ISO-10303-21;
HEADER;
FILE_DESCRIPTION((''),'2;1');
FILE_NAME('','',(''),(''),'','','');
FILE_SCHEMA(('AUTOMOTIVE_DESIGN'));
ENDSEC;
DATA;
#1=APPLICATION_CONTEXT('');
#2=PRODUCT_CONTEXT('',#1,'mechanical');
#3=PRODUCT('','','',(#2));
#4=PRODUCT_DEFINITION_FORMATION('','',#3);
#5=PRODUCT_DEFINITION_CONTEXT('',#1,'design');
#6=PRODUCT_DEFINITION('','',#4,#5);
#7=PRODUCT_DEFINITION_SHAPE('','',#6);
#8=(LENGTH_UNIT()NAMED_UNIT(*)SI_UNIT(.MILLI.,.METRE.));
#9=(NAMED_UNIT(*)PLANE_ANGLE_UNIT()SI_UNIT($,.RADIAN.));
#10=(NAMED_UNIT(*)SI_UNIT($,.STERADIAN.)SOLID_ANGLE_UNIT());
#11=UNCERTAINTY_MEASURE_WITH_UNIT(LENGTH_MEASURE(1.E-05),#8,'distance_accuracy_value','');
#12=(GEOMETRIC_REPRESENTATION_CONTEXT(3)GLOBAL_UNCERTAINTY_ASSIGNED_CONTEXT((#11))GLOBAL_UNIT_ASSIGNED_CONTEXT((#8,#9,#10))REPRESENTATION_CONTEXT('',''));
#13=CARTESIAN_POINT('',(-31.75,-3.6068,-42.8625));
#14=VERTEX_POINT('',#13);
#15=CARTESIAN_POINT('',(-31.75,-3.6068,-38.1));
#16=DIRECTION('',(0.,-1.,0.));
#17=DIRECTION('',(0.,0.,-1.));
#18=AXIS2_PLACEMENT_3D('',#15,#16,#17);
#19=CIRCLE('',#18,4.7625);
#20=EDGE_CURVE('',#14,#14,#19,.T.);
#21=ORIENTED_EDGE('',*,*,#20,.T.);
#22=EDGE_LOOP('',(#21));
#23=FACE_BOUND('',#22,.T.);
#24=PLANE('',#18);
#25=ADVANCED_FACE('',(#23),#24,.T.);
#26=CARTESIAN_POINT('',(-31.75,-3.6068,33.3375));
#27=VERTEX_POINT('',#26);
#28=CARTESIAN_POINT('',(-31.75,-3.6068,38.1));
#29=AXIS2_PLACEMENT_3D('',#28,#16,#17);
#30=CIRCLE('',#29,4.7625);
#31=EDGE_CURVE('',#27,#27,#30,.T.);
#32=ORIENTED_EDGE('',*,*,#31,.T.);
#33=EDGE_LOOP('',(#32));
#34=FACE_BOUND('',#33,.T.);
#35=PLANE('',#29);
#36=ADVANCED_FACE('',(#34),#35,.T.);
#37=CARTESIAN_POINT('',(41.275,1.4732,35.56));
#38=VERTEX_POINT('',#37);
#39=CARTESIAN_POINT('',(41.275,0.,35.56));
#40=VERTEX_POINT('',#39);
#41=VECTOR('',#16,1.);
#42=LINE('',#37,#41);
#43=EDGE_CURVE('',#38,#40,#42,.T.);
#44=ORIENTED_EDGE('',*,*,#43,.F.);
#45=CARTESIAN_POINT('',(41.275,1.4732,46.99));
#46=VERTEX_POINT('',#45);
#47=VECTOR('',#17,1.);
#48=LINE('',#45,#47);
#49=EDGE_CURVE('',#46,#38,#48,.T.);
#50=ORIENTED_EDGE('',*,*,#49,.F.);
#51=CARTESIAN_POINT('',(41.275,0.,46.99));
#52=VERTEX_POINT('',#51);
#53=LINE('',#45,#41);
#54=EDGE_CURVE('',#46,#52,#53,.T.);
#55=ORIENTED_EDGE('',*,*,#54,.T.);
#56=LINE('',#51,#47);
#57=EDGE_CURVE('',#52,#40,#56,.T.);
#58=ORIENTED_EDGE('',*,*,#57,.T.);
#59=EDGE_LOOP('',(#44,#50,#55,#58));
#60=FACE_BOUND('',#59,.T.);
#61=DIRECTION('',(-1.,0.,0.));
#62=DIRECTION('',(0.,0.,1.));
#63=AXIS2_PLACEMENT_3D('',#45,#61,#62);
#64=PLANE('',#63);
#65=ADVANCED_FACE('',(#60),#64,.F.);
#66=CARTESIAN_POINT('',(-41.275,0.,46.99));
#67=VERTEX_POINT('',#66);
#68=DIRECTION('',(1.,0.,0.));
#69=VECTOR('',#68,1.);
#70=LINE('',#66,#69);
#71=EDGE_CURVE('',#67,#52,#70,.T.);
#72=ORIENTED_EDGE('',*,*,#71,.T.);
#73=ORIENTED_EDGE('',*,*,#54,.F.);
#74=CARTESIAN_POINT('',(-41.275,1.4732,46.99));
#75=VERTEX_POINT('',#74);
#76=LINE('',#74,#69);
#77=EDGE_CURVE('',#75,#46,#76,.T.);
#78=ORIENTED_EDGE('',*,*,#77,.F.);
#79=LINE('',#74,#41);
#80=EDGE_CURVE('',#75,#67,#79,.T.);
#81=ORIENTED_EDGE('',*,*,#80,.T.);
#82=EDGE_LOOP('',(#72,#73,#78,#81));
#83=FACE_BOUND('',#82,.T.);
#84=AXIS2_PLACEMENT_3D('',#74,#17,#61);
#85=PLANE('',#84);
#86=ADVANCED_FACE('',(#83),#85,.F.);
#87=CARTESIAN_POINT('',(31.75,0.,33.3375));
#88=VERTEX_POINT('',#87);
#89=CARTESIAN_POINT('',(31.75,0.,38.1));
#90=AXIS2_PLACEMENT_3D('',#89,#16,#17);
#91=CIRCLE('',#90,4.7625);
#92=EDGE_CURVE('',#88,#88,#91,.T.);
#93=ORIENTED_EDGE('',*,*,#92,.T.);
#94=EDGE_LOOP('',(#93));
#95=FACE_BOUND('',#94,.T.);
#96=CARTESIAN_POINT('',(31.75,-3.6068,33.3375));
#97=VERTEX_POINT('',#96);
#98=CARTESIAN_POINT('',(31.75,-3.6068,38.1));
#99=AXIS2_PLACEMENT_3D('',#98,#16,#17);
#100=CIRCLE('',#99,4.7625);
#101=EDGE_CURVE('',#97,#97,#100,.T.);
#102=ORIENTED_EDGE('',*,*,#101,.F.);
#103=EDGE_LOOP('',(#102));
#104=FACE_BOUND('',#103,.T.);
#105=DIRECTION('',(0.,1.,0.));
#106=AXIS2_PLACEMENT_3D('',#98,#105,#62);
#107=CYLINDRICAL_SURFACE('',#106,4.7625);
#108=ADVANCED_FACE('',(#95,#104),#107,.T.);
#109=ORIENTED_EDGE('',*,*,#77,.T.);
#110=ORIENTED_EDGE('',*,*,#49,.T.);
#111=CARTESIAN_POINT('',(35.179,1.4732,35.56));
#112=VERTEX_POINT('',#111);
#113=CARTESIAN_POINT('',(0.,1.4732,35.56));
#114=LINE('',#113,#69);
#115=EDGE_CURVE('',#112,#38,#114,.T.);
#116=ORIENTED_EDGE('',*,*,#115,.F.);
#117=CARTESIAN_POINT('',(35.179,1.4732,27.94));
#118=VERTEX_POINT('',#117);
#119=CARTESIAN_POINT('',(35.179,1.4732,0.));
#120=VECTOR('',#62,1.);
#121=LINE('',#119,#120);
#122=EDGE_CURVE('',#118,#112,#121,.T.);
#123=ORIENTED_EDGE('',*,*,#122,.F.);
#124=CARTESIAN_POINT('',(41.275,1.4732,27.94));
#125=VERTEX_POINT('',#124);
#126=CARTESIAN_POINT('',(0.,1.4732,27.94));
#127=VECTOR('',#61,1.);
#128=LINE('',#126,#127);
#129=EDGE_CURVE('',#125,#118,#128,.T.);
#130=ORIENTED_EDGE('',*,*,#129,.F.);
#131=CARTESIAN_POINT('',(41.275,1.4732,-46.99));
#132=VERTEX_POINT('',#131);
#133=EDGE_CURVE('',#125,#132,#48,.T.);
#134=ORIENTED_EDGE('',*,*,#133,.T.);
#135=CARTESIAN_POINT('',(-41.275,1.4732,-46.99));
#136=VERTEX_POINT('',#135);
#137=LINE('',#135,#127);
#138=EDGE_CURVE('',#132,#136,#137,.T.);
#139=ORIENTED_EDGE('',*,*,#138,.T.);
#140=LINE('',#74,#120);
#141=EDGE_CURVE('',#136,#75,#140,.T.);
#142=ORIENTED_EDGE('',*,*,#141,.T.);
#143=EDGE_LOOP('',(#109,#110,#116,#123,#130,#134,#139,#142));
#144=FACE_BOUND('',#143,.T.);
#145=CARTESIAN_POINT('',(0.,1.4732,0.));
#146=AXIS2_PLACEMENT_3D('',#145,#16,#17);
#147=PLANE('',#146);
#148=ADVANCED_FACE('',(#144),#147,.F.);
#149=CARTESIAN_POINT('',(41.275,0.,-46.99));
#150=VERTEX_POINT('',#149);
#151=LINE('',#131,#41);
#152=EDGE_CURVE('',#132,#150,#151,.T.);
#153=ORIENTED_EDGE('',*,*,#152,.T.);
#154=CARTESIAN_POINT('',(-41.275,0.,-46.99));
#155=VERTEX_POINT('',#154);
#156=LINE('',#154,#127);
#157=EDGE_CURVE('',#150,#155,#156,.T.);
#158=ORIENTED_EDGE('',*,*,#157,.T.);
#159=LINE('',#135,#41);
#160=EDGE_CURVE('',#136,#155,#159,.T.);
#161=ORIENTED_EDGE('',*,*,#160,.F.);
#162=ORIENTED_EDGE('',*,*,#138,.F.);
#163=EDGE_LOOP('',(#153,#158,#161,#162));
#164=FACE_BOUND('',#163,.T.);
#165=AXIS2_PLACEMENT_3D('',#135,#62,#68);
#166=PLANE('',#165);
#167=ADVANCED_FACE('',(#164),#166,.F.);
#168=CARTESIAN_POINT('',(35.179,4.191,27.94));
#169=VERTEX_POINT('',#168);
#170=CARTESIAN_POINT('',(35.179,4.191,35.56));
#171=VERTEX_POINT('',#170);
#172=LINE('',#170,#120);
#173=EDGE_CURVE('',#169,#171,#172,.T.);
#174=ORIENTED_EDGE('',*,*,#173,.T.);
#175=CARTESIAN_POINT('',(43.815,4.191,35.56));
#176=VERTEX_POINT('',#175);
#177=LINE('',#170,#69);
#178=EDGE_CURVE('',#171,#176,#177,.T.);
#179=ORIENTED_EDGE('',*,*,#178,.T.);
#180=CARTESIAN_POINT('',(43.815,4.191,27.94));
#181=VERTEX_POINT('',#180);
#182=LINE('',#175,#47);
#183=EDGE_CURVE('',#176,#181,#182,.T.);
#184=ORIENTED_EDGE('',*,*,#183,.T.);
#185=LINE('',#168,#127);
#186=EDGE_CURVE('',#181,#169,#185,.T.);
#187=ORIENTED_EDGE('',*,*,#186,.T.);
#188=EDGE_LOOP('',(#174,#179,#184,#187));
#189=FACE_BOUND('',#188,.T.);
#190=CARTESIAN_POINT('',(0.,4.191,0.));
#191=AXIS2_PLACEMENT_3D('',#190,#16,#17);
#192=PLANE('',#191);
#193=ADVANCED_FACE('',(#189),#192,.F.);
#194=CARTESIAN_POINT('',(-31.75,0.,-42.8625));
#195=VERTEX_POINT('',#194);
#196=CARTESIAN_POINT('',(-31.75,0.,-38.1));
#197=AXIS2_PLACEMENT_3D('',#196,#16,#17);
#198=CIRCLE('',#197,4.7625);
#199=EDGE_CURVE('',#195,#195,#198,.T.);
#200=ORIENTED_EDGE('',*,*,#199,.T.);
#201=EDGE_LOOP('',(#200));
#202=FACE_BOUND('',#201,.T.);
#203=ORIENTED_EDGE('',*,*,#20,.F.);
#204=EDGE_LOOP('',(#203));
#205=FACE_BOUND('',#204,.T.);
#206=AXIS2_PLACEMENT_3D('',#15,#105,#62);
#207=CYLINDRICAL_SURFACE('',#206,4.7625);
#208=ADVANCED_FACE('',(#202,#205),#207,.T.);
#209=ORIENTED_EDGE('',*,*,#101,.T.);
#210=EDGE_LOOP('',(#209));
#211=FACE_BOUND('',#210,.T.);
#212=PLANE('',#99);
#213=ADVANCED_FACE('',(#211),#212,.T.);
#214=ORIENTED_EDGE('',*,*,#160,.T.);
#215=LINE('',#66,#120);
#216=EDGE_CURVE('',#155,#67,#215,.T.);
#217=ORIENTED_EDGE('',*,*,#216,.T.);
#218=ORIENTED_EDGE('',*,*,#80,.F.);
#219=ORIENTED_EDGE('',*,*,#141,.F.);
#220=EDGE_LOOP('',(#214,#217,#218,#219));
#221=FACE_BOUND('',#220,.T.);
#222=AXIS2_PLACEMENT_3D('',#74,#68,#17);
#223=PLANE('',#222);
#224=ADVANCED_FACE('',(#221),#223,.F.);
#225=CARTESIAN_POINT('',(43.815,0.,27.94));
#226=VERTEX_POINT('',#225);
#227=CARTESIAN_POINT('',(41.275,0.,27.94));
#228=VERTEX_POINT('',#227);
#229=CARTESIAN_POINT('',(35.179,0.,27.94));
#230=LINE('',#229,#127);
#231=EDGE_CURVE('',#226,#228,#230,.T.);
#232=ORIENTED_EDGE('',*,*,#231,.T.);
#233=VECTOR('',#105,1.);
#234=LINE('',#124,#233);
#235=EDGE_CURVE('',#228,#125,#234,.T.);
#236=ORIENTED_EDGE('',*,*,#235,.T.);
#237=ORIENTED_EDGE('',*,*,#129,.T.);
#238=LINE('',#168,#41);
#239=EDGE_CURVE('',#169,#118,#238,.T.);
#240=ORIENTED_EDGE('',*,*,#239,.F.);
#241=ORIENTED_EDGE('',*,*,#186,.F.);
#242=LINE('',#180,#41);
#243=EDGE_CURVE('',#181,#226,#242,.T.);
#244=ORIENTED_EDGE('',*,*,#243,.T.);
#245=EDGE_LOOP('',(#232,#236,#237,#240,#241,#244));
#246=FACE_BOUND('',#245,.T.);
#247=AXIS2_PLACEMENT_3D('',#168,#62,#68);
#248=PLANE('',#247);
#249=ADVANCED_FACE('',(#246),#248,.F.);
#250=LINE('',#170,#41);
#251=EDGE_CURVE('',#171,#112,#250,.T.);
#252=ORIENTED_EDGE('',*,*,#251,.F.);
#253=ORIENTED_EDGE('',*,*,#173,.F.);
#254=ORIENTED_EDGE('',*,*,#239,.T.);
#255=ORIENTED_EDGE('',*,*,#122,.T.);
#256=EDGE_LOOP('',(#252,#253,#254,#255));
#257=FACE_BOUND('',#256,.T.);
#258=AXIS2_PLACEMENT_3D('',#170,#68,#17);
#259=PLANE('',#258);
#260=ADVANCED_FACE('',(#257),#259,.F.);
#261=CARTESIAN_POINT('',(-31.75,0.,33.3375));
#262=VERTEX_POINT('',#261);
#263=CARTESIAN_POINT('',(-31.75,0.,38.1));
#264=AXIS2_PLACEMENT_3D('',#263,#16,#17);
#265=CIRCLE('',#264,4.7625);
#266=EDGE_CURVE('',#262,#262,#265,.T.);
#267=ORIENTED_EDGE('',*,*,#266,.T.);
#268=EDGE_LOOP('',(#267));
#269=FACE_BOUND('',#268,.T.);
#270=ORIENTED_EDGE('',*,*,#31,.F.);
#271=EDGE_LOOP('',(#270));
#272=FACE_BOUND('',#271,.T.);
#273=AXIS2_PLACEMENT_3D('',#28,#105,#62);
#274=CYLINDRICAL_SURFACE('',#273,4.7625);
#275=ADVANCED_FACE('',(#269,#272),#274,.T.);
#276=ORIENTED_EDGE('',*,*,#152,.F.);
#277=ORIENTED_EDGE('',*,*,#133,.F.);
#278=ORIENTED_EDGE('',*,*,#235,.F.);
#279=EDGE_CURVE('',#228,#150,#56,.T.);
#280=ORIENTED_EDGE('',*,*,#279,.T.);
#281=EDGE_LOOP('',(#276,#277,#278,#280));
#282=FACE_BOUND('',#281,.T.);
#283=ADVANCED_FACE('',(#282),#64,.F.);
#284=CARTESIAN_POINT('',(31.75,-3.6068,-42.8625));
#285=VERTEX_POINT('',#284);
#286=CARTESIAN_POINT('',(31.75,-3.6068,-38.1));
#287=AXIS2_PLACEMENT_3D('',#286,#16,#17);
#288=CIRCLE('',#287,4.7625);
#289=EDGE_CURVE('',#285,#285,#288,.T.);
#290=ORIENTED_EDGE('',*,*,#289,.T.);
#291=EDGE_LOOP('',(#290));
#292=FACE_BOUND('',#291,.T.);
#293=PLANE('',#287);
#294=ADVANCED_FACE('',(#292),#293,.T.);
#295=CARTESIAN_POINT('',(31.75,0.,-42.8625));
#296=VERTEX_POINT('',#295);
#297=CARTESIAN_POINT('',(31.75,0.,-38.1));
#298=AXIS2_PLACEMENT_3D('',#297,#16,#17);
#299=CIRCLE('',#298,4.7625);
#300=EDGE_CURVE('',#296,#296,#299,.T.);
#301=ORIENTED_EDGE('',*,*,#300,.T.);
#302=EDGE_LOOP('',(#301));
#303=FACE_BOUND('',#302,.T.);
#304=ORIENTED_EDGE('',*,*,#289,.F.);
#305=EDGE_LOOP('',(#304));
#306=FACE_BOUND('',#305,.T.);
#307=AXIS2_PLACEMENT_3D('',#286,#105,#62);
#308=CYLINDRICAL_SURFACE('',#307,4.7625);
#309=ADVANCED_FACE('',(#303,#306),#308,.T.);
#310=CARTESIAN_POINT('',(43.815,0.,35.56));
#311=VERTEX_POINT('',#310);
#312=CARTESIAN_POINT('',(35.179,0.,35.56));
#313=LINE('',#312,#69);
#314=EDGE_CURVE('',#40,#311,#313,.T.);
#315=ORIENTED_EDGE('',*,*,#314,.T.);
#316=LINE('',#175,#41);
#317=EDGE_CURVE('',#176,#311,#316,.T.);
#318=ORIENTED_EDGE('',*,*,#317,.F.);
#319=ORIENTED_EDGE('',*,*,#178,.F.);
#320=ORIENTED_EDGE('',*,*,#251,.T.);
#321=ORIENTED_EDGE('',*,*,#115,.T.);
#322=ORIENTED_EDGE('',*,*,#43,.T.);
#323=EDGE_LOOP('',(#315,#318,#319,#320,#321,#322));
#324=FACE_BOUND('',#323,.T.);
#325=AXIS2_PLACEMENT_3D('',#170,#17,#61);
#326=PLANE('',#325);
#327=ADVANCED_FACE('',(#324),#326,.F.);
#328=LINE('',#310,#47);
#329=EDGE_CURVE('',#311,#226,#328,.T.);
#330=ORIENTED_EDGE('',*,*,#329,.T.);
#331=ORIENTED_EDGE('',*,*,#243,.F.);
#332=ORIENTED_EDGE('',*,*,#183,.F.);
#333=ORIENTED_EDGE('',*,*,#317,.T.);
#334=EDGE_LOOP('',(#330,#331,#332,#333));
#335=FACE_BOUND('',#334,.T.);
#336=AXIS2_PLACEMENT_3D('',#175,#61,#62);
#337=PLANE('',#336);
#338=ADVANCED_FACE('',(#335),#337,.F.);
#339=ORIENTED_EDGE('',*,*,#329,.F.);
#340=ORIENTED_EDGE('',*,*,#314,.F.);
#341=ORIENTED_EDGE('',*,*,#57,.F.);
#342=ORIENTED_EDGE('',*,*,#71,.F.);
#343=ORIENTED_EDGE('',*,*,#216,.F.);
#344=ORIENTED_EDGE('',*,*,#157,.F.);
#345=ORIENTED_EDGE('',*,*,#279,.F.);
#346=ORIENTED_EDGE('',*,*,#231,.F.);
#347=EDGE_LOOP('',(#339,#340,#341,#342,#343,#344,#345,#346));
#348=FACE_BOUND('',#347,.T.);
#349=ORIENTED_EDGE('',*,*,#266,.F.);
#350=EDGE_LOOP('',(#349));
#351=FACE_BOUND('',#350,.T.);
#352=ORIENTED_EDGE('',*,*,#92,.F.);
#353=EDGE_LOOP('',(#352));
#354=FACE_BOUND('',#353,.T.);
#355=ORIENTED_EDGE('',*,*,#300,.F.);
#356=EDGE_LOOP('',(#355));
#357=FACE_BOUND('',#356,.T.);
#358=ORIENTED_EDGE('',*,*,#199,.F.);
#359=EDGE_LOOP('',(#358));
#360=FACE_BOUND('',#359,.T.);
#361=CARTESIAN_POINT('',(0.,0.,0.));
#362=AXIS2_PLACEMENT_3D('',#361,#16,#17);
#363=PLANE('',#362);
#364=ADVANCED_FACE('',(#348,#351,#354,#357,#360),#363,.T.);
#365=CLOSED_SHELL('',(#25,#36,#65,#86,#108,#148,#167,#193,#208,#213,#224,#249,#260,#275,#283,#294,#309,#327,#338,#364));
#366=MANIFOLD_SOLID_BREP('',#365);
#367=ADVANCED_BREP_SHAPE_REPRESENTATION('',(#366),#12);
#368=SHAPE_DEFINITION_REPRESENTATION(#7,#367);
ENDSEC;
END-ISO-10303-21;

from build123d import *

# Parameters (mm, degrees)
SKETCH1_W           = 82.55
SKETCH1_H           = 93.98
BOSS_EXTRUDE1_DEPTH = 1.4732
SKETCH2_W           = 8.636
SKETCH2_H           = 7.62
BOSS_EXTRUDE2_DEPTH = 4.191
SKETCH3_R           = 4.7625
BOSS_EXTRUDE3_DEPTH = 3.6068


with BuildPart() as part:
    # Sketch1 → Boss-Extrude1 (new body)
    with BuildSketch(Plane(origin=(0, 0, 0), x_dir=(1, 0, 0), z_dir=(0, 1, 0))):
        Rectangle(SKETCH1_W, SKETCH1_H)
    extrude(amount=BOSS_EXTRUDE1_DEPTH)

    # Sketch2 → Boss-Extrude2 (add)
    with BuildSketch(Plane(origin=(0, 0, 0), x_dir=(1, 0, 0), z_dir=(0, 1, 0))):
        with Locations((39.497, -31.75)):
            Rectangle(SKETCH2_W, SKETCH2_H)
    extrude(amount=BOSS_EXTRUDE2_DEPTH)

    # Sketch3 → Boss-Extrude3 (add)
    with BuildSketch(Plane.XZ):
        with Locations(Location((-31.75, 38.1, 0), (0, 0, 270))):
            Circle(SKETCH3_R)
        with Locations(Location((31.75, 38.1, 0), (0, 0, 270))):
            Circle(SKETCH3_R)
        with Locations(Location((-31.75, -38.1, 0), (0, 0, 270))):
            Circle(SKETCH3_R)
        with Locations(Location((31.75, -38.1, 0), (0, 0, 270))):
            Circle(SKETCH3_R)
    extrude(amount=BOSS_EXTRUDE3_DEPTH)


solid = part.part
